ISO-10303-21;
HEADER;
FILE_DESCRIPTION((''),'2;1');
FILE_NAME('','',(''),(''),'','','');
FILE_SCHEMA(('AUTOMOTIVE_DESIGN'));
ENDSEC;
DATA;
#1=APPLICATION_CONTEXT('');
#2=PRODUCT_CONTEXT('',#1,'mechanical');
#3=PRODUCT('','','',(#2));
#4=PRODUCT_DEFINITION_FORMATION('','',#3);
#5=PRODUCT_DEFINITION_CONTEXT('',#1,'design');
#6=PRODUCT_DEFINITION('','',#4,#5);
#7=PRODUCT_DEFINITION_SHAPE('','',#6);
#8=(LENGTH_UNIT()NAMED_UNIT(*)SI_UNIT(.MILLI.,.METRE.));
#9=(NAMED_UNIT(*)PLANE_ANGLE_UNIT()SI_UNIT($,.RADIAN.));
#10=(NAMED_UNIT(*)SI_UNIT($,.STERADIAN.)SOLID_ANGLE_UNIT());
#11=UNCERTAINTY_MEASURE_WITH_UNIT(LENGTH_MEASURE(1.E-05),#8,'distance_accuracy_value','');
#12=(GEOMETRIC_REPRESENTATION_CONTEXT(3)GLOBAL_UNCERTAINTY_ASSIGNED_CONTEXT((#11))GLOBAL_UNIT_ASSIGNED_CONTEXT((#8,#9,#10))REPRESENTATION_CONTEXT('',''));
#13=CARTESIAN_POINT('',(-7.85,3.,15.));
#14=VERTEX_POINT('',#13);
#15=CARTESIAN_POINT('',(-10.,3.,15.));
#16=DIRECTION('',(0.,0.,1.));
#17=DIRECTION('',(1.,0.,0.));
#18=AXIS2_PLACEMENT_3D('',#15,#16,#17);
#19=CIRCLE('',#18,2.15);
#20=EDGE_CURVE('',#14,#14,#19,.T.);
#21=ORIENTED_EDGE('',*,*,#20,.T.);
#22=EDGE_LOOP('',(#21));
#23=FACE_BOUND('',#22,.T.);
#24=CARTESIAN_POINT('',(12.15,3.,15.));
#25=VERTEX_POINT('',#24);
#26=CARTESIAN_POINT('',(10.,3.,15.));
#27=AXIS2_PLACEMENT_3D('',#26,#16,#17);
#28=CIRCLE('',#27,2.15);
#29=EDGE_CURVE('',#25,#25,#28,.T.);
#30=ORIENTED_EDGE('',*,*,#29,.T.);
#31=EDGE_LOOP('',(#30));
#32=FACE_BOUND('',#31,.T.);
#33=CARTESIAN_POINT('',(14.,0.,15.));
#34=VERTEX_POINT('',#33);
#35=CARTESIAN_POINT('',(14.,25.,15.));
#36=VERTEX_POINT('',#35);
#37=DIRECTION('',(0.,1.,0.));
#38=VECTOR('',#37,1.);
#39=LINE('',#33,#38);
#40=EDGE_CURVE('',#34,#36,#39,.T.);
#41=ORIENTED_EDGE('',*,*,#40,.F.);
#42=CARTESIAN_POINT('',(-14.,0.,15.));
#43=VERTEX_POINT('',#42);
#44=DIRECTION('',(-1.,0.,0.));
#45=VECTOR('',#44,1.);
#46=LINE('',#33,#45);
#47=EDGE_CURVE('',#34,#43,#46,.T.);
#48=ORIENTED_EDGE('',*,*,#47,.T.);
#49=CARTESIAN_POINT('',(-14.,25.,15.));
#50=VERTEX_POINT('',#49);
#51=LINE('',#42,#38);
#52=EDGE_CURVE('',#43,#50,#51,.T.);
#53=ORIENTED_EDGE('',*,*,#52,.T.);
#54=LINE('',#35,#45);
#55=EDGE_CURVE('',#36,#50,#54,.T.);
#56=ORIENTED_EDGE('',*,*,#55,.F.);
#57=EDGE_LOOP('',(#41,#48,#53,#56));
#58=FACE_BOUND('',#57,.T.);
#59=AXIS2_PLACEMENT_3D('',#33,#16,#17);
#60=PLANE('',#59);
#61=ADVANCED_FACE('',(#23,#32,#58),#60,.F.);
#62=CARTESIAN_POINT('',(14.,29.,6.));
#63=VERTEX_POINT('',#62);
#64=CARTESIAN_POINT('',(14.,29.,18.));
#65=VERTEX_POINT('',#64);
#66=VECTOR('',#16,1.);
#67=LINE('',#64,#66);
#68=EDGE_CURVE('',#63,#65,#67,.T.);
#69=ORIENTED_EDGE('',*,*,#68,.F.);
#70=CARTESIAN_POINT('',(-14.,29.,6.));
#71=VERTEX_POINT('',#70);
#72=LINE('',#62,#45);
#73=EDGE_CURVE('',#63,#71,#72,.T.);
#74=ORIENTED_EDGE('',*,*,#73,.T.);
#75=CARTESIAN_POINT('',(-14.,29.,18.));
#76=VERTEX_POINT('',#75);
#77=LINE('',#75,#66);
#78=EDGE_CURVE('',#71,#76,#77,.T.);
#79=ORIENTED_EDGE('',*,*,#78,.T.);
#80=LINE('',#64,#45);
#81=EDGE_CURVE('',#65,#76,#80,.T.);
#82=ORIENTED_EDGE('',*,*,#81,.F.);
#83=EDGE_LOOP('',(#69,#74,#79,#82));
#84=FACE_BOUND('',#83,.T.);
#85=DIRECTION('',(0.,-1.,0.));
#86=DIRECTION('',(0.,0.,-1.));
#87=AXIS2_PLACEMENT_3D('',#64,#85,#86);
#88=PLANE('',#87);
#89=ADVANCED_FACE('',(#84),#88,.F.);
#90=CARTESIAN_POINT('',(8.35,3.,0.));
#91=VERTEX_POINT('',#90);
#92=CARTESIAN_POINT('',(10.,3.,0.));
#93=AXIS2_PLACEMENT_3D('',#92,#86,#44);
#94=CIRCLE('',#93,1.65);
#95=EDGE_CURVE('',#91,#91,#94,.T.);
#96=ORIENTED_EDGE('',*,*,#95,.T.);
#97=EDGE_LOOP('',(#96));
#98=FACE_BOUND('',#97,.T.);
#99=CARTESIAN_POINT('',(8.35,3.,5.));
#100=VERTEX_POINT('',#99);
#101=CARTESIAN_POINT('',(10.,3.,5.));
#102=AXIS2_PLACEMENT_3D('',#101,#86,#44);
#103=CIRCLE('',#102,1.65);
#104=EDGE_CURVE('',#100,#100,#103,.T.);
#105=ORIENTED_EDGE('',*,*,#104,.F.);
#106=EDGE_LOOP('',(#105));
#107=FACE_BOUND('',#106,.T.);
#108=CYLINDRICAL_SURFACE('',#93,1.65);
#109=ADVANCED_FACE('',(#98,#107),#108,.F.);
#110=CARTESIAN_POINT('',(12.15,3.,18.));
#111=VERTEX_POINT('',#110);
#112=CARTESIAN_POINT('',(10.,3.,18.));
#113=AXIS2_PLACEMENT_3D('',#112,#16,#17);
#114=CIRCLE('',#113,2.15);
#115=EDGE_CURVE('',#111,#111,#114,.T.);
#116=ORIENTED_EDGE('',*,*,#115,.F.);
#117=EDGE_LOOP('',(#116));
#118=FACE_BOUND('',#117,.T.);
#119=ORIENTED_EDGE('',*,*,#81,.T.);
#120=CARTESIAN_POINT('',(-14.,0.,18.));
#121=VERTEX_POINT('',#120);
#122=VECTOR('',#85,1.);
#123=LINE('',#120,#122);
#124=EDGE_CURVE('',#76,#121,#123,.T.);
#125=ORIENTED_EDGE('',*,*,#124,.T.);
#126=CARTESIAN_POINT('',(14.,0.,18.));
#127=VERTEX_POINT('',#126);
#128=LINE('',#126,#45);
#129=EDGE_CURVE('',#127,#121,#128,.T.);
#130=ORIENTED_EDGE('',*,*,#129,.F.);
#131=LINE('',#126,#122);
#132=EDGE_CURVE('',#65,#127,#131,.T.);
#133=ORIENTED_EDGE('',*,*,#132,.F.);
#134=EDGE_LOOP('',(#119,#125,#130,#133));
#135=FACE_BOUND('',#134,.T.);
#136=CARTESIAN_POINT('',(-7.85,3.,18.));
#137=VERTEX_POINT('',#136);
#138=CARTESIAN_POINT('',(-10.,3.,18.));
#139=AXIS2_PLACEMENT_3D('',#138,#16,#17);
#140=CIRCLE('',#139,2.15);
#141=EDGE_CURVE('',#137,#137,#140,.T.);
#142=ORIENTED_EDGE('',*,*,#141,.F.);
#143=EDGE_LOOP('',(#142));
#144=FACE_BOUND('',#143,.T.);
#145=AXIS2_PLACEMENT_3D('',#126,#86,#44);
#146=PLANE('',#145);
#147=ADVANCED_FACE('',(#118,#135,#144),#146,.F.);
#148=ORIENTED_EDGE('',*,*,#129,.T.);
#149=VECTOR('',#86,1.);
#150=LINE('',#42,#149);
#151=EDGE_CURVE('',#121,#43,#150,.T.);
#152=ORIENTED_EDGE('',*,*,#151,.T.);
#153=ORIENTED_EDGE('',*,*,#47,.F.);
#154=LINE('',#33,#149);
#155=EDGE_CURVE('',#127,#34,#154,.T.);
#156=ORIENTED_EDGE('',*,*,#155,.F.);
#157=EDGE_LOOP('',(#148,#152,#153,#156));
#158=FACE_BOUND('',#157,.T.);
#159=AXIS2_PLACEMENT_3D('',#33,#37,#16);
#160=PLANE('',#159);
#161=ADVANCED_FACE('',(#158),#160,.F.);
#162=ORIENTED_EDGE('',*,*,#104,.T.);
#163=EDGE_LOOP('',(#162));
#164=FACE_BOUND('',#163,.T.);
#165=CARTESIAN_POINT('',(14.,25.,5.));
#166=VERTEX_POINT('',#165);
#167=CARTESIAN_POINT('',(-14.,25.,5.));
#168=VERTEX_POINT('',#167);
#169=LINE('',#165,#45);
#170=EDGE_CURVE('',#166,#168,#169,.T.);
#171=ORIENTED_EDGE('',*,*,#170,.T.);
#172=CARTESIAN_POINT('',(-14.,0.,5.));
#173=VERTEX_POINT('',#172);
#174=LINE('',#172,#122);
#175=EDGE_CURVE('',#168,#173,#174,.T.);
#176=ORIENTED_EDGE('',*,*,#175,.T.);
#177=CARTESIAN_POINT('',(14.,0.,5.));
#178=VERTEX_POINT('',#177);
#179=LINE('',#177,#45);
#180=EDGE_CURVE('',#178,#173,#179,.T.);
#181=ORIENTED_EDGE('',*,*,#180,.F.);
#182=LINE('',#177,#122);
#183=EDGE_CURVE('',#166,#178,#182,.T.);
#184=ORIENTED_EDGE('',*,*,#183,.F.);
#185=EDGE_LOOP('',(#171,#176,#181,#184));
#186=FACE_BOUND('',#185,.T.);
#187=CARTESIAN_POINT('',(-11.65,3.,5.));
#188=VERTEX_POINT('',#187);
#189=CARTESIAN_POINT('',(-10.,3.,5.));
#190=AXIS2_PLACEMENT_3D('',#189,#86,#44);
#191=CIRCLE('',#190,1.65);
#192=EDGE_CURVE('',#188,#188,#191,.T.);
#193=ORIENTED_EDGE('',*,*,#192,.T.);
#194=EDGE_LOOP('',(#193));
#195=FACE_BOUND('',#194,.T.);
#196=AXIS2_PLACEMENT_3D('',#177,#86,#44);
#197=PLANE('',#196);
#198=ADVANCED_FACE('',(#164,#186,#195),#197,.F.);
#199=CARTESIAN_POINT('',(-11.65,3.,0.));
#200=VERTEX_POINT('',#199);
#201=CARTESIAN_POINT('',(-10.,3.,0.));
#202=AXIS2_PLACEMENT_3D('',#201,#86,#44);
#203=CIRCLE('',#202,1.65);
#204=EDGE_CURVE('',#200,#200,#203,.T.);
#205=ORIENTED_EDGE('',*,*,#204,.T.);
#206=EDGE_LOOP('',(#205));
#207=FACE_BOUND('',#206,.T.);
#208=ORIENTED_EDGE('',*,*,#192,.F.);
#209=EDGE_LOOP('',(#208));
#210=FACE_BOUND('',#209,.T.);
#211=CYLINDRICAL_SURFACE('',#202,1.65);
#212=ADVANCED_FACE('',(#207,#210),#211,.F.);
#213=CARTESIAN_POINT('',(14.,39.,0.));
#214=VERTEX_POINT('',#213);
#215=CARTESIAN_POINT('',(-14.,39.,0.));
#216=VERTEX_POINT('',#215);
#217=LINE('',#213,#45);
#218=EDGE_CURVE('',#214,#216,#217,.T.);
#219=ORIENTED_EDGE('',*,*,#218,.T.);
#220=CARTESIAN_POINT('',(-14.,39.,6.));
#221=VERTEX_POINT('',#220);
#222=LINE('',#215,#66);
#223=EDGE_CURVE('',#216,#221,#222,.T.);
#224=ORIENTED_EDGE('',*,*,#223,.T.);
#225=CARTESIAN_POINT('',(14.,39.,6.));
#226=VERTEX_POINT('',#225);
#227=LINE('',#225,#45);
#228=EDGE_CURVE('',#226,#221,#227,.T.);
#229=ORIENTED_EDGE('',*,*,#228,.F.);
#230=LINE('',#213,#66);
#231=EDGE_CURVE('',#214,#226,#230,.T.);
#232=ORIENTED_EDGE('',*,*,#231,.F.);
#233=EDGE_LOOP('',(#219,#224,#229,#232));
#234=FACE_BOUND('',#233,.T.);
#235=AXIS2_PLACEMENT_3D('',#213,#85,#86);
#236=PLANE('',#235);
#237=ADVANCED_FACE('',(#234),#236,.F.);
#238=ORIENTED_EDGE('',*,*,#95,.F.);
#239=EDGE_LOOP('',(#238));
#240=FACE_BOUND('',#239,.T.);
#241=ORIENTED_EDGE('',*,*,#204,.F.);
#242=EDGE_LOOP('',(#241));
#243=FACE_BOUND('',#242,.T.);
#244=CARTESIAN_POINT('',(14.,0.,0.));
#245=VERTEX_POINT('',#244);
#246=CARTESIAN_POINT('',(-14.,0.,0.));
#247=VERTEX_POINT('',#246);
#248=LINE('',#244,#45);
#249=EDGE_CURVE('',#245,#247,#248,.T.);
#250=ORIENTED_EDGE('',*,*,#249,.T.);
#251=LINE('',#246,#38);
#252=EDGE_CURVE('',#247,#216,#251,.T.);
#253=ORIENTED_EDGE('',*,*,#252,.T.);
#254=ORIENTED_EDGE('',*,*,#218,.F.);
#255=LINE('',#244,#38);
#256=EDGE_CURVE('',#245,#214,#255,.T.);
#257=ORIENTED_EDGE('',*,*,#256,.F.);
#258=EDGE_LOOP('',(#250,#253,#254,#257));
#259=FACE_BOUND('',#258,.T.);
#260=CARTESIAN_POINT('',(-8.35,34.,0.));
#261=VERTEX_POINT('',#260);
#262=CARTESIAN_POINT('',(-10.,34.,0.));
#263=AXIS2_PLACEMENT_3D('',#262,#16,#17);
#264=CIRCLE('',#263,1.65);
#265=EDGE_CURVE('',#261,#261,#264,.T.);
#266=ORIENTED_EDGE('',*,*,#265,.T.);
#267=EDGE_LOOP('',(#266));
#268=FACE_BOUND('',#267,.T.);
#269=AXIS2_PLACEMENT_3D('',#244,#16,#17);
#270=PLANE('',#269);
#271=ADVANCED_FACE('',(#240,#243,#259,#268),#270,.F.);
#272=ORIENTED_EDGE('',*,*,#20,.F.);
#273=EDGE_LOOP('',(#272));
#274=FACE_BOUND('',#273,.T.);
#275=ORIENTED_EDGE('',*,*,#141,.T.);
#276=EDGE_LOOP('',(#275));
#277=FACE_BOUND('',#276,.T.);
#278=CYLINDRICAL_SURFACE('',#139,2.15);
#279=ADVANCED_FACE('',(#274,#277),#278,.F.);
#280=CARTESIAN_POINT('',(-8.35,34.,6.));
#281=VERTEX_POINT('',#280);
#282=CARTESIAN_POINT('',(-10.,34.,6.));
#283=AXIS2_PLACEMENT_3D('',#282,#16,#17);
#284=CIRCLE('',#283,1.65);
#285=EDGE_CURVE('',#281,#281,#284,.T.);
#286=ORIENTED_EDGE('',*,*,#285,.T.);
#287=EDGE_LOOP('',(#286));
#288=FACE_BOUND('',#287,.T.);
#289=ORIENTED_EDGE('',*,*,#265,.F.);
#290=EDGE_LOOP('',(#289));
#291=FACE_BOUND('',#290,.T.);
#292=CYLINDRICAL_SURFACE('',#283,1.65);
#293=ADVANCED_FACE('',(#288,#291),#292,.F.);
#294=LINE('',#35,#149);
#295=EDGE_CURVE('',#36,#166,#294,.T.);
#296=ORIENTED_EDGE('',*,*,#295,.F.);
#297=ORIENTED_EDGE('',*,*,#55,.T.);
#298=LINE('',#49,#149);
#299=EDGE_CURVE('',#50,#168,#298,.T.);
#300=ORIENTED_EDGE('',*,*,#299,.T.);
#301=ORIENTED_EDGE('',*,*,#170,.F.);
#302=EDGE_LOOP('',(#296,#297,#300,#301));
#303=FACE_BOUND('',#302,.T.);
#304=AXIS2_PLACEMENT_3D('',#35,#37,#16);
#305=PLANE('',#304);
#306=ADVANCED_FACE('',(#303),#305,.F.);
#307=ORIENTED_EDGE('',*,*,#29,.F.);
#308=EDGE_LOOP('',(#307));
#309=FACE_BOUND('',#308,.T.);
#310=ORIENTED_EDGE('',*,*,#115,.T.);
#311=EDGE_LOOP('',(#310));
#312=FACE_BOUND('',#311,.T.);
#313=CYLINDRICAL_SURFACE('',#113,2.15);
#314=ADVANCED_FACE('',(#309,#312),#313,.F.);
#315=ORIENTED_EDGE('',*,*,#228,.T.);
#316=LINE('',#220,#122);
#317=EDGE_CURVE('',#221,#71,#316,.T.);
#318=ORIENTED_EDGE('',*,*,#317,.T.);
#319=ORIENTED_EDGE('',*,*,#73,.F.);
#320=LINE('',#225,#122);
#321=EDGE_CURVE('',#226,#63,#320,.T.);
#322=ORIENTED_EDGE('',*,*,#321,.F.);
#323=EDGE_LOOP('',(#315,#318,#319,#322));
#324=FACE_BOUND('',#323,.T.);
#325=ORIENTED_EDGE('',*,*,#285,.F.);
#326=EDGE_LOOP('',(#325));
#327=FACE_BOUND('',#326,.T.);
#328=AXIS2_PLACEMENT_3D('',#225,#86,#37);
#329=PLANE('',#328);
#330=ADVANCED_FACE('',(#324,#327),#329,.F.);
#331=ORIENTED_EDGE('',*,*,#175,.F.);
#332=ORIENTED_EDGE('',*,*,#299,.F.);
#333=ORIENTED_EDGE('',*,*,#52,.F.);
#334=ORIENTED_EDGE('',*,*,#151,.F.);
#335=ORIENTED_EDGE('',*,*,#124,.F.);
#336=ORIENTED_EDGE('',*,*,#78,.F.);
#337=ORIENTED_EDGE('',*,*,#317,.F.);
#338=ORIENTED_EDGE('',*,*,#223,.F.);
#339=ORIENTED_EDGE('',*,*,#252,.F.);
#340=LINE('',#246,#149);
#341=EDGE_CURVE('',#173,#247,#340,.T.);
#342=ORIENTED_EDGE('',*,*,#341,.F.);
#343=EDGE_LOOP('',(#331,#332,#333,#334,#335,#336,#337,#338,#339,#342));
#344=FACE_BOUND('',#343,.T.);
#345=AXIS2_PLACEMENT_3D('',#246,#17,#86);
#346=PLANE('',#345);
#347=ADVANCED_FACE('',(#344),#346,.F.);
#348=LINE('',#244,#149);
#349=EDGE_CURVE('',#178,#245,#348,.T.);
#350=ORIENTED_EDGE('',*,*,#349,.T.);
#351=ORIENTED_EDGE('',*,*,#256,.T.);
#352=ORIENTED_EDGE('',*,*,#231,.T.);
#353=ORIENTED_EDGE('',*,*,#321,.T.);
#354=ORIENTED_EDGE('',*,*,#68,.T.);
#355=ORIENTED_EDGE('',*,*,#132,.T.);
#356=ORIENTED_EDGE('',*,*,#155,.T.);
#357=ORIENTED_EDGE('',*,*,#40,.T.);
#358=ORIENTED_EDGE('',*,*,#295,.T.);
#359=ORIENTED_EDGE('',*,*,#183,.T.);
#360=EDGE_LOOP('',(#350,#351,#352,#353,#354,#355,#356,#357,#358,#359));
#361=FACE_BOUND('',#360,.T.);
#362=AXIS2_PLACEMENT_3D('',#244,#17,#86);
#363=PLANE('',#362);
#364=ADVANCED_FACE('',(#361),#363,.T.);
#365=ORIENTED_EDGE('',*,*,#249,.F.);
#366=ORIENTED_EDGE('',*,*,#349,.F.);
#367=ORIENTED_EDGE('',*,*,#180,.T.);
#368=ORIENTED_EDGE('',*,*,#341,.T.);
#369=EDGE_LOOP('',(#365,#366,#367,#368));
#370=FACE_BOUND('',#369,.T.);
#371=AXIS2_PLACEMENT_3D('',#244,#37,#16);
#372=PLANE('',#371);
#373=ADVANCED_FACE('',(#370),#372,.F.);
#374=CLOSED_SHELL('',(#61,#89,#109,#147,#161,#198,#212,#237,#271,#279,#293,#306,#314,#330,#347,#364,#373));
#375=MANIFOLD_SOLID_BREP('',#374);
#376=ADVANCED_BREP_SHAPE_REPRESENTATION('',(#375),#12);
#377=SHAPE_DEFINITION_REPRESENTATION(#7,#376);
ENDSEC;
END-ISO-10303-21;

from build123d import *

# Parameters (mm, degrees)
EXTRUDE_1_DEPTH          = 14
HOLE_WIZARD_M4_1_D       = 3.3
HOLE_WIZARD_M4_2_D       = 3.3
HOLE_WIZARD_M4_2_DEPTH   = 5
HOLE_WIZARD_M4_1_2_D     = 4.3
HOLE_WIZARD_M4_1_2_DEPTH = 3


with BuildPart() as part:
    # 草图2 → 凸台-拉伸1 (new, symmetric)
    with BuildSketch(Plane(origin=(0, 0, 0), x_dir=(0, 0, -1), z_dir=(1, 0, 0))):
        Polygon((-15, 0), (-18, 0), (-18, 29), (-6, 29), (-6, 39), (0, 39), (0, 0), (-5, 0), (-5, 25), (-15, 25), align=None)
    extrude(amount=EXTRUDE_1_DEPTH, both=True)

    # Hole Wizard M4 _1 (through all)
    with Locations(Plane.XY.offset(6)):
        with Locations((-10, 34)):
            Hole(HOLE_WIZARD_M4_1_D / 2)

    # M4 螺纹孔2
    with Locations(Plane(origin=(0, 0, 0), x_dir=(-1, 0, 0), z_dir=(0, 0, -1))):
        with Locations((10, 3), (-10, 3)):
            Hole(HOLE_WIZARD_M4_2_D / 2, depth=HOLE_WIZARD_M4_2_DEPTH)

    # Hole Wizard M4 _1 2
    with Locations(Plane.XY.offset(18)):
        with Locations((-10, 3), (10, 3)):
            Hole(HOLE_WIZARD_M4_1_2_D / 2, depth=HOLE_WIZARD_M4_1_2_DEPTH)


solid = part.part
